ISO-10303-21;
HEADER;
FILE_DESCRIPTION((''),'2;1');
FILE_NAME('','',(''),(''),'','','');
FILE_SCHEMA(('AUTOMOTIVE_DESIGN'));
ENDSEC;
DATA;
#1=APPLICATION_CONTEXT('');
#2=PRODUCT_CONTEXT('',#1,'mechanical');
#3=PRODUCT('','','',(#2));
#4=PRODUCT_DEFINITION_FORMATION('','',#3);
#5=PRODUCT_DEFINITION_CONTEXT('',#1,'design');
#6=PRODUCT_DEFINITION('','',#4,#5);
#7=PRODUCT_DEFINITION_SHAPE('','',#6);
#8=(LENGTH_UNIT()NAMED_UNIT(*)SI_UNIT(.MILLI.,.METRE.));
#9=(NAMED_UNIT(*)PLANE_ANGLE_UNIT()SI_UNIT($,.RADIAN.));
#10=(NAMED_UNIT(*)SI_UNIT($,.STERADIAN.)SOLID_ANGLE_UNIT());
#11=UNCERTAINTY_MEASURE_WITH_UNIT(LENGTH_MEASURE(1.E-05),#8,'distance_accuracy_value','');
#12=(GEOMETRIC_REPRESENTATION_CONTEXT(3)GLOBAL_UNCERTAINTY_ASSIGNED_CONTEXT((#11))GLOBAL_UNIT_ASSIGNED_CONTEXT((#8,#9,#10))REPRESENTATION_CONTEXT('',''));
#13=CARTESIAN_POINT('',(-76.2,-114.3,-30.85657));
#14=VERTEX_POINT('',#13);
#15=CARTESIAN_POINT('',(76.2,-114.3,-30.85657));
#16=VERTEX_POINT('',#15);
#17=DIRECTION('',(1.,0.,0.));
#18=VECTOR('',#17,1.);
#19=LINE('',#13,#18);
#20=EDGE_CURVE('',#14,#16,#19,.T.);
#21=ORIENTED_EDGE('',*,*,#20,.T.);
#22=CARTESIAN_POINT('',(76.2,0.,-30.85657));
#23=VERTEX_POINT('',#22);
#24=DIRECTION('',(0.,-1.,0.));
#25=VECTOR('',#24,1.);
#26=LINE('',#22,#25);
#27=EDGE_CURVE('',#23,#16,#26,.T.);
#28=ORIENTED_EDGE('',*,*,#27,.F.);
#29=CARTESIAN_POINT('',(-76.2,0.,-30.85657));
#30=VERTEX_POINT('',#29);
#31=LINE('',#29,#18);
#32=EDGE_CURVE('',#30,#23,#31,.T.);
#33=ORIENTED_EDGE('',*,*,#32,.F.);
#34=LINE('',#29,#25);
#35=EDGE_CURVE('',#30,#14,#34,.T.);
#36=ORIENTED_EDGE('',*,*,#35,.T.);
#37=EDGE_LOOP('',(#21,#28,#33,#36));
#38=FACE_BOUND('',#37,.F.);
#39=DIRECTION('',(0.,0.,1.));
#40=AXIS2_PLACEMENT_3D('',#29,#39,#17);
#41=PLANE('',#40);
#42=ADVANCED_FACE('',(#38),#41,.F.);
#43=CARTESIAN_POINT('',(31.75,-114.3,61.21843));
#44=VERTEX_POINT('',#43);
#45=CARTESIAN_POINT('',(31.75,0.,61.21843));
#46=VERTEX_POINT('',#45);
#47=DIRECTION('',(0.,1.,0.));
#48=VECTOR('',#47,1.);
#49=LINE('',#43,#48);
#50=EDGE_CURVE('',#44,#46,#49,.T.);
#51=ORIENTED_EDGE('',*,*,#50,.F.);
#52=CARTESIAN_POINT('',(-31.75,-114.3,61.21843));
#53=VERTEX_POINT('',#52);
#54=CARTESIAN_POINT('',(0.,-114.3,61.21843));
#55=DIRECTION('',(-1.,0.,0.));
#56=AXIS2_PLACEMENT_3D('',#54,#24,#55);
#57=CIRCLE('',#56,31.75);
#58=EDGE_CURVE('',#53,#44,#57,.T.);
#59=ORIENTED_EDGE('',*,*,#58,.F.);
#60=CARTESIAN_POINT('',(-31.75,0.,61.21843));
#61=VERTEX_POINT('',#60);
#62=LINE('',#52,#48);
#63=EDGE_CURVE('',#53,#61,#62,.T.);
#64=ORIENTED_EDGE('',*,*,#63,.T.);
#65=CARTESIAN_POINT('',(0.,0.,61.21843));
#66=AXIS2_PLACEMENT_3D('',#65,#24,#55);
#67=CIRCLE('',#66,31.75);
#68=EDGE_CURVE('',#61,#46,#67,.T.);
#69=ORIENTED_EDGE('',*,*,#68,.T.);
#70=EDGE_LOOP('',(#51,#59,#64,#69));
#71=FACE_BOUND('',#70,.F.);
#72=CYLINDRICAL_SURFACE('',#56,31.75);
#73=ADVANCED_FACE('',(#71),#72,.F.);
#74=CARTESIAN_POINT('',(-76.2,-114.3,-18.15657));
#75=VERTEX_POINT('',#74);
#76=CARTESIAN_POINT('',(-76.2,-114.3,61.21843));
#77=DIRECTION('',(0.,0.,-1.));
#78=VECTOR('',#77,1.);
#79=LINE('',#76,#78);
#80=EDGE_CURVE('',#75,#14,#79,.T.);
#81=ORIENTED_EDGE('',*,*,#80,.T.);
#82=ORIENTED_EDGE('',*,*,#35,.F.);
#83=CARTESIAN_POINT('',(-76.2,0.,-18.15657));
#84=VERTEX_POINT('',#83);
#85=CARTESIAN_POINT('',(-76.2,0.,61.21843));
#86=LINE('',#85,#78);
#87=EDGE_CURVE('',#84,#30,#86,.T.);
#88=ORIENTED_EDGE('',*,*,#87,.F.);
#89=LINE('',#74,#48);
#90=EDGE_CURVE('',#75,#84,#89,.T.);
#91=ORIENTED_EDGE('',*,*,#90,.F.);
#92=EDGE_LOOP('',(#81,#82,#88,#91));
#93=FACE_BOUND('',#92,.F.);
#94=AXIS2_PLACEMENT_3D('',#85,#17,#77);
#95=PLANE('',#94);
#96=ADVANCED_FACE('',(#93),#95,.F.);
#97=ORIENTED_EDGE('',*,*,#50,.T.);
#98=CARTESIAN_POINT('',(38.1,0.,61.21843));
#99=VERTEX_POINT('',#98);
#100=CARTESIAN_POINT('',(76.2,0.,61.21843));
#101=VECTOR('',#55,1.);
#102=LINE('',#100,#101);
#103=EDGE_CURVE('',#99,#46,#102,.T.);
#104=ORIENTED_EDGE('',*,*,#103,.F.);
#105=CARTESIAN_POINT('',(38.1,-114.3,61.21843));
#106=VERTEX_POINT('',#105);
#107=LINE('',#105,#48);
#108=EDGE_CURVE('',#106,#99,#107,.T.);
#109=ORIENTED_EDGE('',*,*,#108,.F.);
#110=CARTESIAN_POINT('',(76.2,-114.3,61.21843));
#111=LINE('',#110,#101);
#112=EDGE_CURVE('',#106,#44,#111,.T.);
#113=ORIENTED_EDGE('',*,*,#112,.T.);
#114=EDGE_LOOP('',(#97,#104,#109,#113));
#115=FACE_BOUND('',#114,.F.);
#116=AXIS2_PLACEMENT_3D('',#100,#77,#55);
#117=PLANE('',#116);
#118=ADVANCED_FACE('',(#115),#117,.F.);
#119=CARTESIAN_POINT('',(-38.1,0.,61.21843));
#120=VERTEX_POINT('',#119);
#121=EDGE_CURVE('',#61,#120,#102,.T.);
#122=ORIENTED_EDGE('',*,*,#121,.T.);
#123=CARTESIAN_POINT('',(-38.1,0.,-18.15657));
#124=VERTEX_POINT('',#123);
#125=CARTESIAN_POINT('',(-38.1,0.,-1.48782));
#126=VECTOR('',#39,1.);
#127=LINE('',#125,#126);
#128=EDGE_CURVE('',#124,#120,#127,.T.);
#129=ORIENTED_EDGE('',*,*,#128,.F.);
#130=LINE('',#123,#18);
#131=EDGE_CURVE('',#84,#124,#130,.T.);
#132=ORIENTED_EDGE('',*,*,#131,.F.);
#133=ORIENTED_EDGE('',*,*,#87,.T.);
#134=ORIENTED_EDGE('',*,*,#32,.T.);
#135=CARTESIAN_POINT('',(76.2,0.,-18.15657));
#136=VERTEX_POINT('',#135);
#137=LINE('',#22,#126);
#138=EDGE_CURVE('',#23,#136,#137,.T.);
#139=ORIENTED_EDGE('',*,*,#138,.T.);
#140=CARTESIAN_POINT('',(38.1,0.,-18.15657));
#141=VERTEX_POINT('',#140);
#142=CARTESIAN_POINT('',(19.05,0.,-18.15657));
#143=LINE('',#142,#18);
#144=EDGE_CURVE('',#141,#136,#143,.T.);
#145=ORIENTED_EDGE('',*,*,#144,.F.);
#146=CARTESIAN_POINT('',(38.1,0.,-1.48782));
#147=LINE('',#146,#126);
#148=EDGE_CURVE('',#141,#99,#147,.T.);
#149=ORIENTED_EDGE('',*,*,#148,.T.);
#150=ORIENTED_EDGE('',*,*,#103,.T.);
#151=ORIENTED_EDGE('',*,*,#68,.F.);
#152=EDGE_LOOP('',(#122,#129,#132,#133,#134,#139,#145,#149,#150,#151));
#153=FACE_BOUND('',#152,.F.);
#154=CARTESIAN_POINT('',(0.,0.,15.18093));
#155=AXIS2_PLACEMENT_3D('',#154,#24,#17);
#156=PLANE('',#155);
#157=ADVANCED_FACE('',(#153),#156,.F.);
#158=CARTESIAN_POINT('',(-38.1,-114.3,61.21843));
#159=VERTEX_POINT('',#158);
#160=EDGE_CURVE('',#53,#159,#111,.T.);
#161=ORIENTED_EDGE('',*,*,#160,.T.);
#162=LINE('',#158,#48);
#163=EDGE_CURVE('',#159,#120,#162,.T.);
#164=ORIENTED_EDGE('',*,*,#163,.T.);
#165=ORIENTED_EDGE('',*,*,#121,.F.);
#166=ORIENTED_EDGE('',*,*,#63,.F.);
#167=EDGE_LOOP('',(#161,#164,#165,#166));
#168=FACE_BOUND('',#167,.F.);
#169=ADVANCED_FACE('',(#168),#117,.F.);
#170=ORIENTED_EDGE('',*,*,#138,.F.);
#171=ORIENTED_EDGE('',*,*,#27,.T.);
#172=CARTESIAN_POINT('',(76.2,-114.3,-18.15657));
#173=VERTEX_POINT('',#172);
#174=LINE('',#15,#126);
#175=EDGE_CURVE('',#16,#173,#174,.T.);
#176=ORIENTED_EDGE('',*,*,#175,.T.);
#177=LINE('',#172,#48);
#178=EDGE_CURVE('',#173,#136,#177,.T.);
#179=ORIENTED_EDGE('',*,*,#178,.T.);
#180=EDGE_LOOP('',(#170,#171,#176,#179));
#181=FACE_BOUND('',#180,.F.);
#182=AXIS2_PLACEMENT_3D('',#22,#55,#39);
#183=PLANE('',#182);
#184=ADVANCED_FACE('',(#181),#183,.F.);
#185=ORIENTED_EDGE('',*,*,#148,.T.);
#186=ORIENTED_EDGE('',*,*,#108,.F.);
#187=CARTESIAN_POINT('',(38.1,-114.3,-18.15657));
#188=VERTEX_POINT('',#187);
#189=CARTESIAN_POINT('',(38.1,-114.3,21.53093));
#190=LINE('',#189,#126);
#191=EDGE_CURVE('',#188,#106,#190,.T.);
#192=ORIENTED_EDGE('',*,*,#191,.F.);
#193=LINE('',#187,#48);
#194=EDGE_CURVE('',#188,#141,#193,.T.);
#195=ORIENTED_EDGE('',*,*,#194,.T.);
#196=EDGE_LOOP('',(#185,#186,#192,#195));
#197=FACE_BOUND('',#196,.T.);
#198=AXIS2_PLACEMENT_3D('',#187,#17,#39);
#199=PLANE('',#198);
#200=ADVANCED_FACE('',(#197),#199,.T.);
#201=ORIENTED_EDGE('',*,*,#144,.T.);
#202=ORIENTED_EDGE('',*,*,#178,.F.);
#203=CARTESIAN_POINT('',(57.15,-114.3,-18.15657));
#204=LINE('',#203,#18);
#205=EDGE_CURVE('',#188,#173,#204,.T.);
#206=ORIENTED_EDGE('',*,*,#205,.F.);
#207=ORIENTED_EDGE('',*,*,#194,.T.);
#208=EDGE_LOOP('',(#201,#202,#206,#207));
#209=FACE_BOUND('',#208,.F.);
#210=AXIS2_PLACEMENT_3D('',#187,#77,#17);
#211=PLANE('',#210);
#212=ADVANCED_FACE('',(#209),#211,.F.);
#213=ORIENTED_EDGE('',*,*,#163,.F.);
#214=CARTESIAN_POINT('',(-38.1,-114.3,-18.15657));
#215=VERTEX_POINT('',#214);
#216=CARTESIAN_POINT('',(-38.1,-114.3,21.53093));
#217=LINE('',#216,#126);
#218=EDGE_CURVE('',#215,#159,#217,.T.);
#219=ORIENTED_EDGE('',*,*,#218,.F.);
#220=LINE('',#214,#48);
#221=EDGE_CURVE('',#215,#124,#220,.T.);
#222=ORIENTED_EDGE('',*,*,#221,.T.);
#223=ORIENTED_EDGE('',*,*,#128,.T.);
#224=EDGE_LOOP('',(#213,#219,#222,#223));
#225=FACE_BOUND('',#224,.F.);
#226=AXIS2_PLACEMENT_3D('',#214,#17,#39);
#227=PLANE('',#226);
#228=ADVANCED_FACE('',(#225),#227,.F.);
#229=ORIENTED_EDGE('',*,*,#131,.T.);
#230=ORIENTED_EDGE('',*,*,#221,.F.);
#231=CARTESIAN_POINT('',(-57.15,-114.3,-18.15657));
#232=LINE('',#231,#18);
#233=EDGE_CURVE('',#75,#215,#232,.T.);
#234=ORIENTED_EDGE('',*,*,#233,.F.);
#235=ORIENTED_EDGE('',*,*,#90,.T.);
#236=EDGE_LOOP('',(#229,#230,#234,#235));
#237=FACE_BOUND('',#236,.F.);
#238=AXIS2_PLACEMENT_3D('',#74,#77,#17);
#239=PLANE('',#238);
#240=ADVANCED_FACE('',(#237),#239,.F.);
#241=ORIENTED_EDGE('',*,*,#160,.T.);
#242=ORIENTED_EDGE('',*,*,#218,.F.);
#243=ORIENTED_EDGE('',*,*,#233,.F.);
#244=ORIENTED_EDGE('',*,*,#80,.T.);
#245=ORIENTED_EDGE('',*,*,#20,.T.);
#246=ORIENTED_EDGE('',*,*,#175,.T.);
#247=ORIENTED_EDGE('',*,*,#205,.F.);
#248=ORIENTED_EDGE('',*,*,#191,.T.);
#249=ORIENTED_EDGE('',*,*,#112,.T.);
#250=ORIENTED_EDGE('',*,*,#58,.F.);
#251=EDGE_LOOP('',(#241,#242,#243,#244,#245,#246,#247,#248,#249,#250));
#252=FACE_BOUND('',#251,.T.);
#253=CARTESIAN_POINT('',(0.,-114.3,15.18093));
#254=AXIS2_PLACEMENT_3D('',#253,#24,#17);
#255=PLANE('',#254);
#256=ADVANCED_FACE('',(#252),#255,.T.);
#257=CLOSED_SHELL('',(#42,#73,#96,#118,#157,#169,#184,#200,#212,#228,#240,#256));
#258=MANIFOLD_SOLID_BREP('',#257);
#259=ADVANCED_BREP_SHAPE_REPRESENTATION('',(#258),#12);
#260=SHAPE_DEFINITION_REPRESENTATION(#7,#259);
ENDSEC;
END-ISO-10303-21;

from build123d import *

# Parameters (mm, degrees)
F1_DEPTH = 114.3
F2_W     = 38.1
F2_H     = 79.375
F3_DEPTH = 114.301
F5_DEPTH = 114.301


with BuildPart() as f1:
    # F0 (on Front) → F1 (new body)
    with BuildSketch(Plane.XZ):
        Polygon((-76.2, -30.85657), (0, -30.85657), (76.2, -30.85657), (76.2, 61.21843), (-76.2, 61.21843), align=None)
    extrude(amount=F1_DEPTH)

    # F2 (on face) → F3 (cut, through all)
    with BuildSketch(Plane.XZ.offset(114.3)):
        with Locations((-57.15, 21.53093)):
            Rectangle(F2_W, F2_H)
        with Locations((57.15, 21.53093)):
            Rectangle(F2_W, F2_H)
    extrude(amount=-F3_DEPTH, mode=Mode.SUBTRACT)

    # F4 (on face) → F5 (cut, through all)
    with BuildSketch(Plane.XZ.offset(114.3)):
        with BuildLine():
            Line((31.75, 61.21843), (-31.75, 61.21843))
            ThreePointArc((-31.75, 61.21843), (0, 29.46843), (31.75, 61.21843))
        make_face()
    extrude(amount=-F5_DEPTH, mode=Mode.SUBTRACT)


solid = f1.part
